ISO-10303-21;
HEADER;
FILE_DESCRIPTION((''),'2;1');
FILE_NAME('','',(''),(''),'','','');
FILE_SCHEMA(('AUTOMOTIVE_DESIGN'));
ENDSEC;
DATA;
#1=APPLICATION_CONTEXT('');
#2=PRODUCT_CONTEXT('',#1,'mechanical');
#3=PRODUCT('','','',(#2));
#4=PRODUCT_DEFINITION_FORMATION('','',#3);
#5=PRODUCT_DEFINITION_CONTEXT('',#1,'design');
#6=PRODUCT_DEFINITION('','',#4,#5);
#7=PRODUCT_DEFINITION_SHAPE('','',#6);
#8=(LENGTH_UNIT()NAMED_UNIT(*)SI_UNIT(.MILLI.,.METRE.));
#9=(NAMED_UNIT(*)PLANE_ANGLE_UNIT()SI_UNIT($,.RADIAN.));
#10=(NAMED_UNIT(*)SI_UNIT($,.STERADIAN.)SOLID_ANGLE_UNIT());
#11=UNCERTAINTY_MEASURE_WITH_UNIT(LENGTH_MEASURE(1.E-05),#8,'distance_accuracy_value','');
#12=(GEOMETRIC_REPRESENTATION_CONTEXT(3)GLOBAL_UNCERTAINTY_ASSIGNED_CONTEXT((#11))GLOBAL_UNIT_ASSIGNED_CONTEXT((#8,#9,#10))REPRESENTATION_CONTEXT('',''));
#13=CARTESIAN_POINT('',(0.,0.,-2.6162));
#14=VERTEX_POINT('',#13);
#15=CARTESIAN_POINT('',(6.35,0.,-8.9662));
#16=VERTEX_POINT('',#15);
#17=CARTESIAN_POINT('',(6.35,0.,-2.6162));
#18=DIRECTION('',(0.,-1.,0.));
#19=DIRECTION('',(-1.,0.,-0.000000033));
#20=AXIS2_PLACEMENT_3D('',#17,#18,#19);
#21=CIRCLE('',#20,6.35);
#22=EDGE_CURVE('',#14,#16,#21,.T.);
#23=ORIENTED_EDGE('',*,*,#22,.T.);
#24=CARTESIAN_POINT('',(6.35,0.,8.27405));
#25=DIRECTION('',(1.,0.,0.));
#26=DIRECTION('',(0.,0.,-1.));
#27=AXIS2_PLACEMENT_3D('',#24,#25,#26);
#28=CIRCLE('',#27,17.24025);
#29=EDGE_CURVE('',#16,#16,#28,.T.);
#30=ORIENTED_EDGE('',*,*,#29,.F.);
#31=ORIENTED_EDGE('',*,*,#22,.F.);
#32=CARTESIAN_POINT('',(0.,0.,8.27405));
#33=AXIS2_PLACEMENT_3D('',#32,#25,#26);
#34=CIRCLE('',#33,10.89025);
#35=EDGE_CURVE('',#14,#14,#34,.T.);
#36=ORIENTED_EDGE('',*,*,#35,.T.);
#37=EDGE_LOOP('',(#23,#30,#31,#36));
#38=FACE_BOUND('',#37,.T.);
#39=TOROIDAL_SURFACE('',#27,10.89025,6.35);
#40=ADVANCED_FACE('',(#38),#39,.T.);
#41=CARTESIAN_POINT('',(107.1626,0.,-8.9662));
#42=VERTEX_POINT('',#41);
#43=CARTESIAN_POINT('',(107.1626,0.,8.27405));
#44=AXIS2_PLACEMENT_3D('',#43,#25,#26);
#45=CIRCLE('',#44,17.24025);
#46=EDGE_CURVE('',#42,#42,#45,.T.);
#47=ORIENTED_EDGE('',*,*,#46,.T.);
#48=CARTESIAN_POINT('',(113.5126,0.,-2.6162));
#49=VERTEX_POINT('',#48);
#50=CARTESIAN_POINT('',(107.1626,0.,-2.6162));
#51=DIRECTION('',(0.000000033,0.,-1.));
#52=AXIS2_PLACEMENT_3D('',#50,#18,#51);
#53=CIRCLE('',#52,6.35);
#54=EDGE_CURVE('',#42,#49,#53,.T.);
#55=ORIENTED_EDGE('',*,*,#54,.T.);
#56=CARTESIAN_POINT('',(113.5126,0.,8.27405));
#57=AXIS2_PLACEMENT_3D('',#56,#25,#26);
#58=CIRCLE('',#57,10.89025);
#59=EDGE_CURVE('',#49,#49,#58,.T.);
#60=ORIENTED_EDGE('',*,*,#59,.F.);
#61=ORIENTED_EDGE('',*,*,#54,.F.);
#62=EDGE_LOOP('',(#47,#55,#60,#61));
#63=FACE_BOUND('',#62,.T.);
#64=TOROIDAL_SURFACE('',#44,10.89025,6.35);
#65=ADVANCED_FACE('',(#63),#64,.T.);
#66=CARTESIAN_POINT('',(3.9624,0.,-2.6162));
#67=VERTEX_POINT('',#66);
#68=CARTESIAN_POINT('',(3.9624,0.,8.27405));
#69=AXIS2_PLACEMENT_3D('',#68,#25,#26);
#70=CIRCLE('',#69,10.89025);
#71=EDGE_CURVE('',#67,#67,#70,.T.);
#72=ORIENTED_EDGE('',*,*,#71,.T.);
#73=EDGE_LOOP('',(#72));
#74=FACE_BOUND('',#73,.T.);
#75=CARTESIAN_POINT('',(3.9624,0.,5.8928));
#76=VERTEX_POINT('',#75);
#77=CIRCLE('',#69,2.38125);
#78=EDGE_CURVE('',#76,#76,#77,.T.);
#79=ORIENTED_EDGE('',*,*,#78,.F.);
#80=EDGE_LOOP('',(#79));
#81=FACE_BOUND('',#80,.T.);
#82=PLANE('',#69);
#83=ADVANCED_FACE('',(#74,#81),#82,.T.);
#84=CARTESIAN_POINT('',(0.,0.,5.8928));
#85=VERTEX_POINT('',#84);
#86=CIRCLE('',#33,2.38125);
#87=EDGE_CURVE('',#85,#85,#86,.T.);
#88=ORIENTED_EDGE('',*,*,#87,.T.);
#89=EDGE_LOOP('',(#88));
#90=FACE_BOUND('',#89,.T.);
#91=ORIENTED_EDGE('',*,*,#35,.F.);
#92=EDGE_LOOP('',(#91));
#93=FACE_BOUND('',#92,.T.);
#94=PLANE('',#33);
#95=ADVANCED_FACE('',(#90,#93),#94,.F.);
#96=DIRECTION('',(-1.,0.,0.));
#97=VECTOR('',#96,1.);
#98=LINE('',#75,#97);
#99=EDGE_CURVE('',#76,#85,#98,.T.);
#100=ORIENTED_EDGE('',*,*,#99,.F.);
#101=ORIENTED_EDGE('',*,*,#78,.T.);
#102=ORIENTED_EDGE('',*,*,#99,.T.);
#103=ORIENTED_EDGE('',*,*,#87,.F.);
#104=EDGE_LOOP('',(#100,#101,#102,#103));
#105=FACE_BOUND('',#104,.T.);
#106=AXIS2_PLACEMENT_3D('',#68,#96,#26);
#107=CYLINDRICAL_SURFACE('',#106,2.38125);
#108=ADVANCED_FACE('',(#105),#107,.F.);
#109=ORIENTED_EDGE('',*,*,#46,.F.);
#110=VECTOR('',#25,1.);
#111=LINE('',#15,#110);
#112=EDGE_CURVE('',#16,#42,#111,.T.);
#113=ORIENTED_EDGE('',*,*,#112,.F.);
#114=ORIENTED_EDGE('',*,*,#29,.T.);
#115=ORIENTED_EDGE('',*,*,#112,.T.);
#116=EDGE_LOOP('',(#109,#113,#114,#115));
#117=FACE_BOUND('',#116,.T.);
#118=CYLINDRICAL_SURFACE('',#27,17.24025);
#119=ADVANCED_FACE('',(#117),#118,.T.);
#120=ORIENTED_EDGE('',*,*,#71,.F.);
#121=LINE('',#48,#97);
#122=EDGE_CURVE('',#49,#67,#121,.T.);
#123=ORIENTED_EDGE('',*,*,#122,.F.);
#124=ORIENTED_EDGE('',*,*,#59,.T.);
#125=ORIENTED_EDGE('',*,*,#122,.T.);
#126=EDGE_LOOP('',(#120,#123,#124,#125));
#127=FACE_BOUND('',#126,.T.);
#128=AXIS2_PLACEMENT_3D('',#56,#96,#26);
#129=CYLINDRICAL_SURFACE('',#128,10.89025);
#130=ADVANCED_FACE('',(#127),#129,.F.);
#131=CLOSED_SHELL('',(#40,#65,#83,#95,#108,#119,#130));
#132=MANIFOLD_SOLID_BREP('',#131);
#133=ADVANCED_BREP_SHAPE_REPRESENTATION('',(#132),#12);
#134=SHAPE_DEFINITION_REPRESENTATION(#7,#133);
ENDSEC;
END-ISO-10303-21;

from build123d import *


with BuildPart() as f1:
    # F0 (on Front) → F1 (revolve)
    with BuildSketch(Plane.XZ):
        with BuildLine():
            ThreePointArc((0, -2.6162), (1.859872, -7.106328), (6.35, -8.9662))
            Line((6.35, -8.9662), (107.1626, -8.9662))
            ThreePointArc((107.1626, -8.9662), (111.652728, -7.106328), (113.5126, -2.6162))
            Line((113.5126, -2.6162), (3.9624, -2.6162))
            Line((3.9624, -2.6162), (3.9624, 5.8928))
            Line((3.9624, 5.8928), (0, 5.8928))
            Line((0, 5.8928), (0, -2.6162))
        make_face()
    revolve(axis=Axis((12.4968, 0, 8.27405), (1, 0, 0)))


solid = f1.part
